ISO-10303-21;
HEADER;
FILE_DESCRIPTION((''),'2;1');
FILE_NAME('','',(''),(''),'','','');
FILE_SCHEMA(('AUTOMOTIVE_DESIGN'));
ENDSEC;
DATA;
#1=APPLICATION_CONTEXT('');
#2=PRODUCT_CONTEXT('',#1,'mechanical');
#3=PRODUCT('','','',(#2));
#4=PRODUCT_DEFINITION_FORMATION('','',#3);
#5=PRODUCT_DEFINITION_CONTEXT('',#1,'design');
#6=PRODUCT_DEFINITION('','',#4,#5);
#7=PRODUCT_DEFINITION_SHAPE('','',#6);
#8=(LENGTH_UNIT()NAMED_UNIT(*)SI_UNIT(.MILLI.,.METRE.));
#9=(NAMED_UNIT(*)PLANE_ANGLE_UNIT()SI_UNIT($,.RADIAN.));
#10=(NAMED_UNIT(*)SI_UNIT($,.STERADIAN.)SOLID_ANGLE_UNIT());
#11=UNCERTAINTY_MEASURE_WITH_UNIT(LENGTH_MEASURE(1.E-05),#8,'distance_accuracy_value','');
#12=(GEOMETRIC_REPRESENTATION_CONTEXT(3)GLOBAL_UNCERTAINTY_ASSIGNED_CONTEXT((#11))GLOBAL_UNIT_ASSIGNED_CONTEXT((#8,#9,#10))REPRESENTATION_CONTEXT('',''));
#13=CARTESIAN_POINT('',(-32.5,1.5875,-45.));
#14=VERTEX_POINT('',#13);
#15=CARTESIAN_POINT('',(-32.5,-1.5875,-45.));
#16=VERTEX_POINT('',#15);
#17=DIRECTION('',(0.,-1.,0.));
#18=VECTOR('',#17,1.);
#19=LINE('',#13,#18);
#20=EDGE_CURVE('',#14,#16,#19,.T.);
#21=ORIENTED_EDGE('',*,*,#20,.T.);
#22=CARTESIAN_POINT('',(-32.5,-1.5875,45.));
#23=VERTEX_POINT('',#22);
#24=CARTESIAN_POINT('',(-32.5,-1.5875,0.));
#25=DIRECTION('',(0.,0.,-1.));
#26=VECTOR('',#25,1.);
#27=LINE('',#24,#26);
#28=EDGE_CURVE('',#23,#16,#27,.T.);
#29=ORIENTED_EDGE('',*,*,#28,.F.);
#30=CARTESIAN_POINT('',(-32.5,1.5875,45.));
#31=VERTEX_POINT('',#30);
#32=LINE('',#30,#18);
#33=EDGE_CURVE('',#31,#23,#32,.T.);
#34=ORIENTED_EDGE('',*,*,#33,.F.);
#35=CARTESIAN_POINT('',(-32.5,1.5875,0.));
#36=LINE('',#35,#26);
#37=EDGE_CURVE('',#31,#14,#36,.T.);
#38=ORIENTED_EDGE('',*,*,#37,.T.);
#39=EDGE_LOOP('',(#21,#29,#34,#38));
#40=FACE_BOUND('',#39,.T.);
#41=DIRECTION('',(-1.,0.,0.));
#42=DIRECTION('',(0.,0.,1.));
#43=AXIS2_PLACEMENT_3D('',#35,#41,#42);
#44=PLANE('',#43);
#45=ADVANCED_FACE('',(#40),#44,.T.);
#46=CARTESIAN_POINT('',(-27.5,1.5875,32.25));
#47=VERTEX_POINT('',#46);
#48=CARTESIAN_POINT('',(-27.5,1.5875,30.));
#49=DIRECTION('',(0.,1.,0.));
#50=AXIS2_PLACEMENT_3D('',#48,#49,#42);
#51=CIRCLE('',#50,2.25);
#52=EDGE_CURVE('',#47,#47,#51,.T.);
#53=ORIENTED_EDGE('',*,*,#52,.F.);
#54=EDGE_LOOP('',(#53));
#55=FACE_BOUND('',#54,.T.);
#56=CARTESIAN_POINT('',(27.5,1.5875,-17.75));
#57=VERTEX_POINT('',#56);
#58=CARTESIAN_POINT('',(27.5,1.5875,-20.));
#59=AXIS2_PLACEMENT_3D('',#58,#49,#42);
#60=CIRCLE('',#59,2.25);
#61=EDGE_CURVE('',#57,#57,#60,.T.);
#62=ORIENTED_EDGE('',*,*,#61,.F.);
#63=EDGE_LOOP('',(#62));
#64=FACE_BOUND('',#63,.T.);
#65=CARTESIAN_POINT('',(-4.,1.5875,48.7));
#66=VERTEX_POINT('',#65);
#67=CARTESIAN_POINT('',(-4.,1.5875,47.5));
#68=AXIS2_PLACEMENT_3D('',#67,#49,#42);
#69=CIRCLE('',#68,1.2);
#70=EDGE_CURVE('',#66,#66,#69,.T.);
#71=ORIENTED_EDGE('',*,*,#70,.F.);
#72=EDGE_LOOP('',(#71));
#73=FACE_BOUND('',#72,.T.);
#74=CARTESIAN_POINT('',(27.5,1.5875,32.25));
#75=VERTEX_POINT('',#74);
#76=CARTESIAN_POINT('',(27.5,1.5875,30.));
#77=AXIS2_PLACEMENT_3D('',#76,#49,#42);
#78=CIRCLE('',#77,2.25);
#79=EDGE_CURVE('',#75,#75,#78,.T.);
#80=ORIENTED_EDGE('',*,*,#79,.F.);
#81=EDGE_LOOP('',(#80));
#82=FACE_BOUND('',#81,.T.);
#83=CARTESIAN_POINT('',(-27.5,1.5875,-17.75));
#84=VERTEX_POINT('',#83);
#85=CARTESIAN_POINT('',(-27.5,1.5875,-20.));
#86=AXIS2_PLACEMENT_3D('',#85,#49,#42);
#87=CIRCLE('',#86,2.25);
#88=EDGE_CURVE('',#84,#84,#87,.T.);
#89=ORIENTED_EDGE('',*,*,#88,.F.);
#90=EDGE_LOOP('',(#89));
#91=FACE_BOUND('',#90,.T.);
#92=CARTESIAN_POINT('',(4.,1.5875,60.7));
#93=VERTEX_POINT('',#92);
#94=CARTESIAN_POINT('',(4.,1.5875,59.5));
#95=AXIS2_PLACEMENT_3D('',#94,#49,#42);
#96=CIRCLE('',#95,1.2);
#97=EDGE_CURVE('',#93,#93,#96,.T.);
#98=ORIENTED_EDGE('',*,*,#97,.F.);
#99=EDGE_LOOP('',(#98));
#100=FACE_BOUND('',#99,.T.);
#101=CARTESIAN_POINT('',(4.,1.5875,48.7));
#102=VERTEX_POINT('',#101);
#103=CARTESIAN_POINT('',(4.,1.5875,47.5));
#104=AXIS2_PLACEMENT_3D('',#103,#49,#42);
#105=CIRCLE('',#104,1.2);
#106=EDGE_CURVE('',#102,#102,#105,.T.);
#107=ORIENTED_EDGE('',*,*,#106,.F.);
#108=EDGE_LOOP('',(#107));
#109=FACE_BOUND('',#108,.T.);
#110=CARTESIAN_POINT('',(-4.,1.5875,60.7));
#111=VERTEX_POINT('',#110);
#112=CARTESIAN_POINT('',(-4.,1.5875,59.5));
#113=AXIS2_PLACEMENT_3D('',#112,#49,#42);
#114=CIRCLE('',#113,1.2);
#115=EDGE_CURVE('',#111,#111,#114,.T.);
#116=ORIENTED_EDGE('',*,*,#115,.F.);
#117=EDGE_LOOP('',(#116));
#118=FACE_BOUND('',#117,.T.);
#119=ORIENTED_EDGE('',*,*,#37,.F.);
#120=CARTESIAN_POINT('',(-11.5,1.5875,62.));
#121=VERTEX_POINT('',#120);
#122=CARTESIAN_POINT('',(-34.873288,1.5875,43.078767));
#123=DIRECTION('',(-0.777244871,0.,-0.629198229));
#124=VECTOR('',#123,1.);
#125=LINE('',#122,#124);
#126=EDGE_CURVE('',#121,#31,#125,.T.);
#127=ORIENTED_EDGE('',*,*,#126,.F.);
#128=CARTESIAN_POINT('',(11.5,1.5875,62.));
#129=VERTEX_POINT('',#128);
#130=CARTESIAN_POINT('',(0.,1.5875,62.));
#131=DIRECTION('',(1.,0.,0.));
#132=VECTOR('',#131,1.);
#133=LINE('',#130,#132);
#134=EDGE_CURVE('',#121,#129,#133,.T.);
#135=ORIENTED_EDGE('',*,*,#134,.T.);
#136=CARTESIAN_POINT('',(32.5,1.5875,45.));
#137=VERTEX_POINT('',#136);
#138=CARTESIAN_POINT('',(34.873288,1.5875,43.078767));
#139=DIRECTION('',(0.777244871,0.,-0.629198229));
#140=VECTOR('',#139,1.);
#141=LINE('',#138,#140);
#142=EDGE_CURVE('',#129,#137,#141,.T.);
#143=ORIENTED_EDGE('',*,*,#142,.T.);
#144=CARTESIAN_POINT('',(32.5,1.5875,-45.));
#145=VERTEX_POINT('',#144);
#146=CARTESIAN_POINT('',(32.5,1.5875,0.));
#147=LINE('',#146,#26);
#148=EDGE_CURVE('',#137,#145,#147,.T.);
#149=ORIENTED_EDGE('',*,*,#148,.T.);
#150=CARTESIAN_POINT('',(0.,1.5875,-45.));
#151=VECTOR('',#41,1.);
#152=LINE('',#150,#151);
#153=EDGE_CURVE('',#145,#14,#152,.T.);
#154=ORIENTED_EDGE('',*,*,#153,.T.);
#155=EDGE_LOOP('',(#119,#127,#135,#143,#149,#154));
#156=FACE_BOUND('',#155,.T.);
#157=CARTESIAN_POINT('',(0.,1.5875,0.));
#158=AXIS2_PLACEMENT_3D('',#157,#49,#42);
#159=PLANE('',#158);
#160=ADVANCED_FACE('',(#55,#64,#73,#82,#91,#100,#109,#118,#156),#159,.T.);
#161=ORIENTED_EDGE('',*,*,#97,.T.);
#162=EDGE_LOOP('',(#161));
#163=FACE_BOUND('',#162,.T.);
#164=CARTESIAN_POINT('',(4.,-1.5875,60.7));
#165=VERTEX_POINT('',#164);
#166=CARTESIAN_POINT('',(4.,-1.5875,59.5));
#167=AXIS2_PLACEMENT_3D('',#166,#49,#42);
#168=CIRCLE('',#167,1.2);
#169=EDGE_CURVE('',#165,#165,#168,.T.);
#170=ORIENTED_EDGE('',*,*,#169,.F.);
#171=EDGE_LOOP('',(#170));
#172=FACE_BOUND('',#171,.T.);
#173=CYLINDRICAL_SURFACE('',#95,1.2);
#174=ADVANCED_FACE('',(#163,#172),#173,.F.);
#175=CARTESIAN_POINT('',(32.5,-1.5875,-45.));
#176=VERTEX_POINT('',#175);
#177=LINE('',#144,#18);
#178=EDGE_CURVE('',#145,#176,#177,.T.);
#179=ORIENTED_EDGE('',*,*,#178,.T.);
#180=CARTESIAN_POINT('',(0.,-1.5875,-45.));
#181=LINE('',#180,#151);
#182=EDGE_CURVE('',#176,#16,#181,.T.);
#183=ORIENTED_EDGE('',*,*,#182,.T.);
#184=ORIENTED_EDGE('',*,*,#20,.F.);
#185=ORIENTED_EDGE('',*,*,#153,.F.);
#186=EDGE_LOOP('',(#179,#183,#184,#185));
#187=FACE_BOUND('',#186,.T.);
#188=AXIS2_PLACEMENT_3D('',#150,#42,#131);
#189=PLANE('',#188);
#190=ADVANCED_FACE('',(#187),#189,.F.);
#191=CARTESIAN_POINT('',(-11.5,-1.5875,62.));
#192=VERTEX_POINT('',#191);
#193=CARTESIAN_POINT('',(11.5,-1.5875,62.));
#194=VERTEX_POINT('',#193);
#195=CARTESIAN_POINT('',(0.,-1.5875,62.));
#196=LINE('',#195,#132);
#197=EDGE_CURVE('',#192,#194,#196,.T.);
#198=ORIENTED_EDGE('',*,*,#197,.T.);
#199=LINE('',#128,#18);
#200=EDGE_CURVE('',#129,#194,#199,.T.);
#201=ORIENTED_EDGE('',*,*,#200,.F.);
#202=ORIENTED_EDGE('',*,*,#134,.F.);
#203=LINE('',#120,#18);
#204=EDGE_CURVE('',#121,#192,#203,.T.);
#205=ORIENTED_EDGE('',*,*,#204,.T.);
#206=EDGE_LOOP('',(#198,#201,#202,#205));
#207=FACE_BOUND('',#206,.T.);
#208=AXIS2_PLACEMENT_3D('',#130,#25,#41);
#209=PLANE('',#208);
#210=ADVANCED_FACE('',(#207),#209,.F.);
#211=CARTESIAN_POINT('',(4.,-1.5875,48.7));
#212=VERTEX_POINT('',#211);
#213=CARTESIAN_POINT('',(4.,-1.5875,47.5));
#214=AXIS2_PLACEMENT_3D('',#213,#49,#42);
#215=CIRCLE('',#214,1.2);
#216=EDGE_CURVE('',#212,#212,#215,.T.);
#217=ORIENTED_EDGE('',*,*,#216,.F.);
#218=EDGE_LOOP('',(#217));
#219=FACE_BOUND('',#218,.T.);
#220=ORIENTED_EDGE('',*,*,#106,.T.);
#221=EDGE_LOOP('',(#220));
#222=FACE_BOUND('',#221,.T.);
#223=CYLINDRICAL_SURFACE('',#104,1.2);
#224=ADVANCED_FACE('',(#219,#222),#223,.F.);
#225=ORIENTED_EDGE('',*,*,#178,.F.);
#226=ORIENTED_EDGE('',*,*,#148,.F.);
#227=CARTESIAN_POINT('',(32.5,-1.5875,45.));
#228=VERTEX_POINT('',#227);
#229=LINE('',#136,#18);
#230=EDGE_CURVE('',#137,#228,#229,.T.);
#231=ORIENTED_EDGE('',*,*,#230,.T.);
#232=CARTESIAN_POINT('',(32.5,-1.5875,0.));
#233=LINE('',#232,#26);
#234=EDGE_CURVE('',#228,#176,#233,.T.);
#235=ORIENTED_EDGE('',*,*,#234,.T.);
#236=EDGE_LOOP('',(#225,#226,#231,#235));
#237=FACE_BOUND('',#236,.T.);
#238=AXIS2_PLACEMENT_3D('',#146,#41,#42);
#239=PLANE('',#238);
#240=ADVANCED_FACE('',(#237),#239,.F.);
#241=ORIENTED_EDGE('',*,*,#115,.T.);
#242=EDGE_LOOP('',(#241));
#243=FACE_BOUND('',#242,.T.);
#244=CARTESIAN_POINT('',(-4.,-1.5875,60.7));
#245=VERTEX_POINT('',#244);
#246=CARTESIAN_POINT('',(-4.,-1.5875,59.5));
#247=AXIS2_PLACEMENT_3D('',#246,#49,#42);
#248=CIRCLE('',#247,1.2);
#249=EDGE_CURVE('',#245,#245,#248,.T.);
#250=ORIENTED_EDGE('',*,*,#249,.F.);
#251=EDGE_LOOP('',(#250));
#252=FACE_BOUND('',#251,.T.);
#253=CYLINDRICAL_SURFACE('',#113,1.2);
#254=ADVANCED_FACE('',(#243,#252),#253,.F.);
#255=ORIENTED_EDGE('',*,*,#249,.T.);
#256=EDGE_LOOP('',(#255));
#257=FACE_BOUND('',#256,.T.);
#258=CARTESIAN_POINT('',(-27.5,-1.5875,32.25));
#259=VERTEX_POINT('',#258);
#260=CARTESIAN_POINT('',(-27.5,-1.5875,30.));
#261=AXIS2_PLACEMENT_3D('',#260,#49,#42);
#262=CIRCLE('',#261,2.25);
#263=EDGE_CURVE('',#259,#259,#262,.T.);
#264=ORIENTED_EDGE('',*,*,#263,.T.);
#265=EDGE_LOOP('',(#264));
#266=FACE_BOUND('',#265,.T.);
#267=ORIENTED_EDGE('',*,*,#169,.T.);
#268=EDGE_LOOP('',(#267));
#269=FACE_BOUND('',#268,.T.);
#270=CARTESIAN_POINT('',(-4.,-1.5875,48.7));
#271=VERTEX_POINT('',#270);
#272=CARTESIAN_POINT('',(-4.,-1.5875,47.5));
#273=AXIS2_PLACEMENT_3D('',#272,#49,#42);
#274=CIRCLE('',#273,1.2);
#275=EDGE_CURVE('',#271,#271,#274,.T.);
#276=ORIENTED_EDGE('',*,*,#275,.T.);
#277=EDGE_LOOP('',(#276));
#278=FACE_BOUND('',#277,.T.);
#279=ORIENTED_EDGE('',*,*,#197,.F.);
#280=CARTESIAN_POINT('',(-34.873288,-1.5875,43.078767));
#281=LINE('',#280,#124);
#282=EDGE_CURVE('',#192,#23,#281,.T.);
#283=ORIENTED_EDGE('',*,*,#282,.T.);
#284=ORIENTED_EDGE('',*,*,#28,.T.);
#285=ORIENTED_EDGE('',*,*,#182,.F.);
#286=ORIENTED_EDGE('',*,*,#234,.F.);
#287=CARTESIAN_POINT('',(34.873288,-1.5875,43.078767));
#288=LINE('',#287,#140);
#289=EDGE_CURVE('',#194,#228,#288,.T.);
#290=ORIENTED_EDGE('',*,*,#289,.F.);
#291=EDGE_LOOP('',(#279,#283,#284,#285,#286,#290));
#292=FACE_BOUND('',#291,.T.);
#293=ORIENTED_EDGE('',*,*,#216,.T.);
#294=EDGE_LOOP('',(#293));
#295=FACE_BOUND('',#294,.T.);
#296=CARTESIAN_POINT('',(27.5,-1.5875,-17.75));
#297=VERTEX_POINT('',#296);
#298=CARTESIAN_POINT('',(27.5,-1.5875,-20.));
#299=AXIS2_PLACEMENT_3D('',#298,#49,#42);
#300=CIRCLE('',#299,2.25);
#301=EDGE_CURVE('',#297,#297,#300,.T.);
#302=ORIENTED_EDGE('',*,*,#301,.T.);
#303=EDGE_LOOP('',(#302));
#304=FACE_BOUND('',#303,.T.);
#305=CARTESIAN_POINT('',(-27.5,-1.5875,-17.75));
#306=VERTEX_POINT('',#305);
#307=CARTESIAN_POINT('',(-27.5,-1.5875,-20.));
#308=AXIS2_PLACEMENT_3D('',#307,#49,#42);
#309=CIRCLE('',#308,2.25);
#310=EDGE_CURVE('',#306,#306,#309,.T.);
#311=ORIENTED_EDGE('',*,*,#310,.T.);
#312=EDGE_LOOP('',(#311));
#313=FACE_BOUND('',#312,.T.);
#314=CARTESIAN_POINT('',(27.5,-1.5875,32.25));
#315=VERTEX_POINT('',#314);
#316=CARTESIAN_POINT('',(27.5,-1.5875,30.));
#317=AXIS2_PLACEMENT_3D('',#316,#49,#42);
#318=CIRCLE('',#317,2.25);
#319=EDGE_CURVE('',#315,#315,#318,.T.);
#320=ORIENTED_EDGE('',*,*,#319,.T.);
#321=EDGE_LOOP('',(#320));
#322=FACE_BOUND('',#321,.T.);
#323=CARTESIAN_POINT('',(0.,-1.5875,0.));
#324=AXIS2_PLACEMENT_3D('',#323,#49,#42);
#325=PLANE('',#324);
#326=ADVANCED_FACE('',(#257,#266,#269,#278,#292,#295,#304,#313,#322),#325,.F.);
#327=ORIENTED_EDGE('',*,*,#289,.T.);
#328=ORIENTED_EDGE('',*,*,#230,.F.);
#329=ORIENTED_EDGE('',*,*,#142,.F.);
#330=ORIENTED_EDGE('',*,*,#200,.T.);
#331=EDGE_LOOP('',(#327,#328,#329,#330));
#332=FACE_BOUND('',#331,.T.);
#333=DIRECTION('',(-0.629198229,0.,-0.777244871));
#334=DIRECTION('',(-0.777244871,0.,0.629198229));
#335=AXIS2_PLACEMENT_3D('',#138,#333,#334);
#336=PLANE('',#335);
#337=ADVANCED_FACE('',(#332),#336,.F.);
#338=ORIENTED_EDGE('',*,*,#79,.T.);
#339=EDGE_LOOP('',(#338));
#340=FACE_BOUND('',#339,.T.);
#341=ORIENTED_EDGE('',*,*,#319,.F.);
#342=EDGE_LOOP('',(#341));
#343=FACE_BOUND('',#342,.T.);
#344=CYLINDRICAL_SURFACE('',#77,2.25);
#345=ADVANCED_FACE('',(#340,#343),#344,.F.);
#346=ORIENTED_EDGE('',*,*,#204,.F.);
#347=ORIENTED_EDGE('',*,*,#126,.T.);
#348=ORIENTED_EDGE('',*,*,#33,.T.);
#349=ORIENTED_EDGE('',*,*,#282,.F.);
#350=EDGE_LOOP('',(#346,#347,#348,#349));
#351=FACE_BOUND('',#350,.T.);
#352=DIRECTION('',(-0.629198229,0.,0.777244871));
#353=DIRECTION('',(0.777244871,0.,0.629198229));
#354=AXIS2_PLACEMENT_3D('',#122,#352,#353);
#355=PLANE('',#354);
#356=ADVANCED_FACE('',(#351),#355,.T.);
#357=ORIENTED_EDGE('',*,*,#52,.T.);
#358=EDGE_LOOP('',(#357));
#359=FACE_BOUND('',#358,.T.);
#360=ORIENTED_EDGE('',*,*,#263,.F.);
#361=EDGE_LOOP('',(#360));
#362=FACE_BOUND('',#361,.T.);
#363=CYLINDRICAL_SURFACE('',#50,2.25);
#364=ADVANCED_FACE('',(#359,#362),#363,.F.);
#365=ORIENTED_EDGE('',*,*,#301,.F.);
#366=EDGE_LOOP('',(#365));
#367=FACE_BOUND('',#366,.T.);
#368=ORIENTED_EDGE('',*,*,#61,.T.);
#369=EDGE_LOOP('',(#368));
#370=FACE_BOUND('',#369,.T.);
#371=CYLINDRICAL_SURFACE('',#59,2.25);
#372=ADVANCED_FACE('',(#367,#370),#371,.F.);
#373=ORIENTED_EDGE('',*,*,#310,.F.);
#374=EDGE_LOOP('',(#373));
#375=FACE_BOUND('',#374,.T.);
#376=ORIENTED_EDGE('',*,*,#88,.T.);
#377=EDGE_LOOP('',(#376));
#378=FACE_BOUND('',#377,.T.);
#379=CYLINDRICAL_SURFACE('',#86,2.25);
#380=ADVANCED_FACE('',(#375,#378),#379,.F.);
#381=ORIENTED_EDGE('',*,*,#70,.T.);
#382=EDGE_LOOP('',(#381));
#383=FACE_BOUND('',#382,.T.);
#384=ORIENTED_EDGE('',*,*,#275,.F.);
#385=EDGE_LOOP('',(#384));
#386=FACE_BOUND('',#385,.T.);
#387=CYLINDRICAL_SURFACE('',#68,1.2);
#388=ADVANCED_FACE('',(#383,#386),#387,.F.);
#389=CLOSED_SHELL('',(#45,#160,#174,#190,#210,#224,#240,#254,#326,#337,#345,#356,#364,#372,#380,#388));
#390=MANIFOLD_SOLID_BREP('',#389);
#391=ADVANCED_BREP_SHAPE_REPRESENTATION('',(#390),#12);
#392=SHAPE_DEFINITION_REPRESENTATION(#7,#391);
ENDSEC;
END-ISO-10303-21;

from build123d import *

# Parameters (mm, degrees)
SKETCH1_W            = 65
SKETCH1_H            = 90
SKETCH1_W_2          = 23
SKETCH1_H_2          = 17
BOSS_EXTRUDE1_DEPTH  = 1.5875
M2_CLEARANCE_HOLE1_D = 2.4
M4_CLEARANCE_HOLE1_D = 4.5


with BuildPart() as part:
    # Sketch1 → Boss-Extrude1 (new, symmetric)
    with BuildSketch(Plane(origin=(0, 0, 0), x_dir=(1, 0, 0), z_dir=(0, 1, 0))):
        Polygon((-32.5, -45), (-11.5, -62), (-11.5, -45), align=None)
        Polygon((11.5, -45), (11.5, -62), (32.5, -45), align=None)
        Rectangle(SKETCH1_W, SKETCH1_H)
        with Locations((0, -53.5)):
            Rectangle(SKETCH1_W_2, SKETCH1_H_2)
    extrude(amount=BOSS_EXTRUDE1_DEPTH, both=True)

    # M2 Clearance Hole1 (through all)
    with Locations(Plane(origin=(0, 1.5875, 0), x_dir=(1, 0, 0), z_dir=(0, 1, 0))):
        with Locations((-4, -59.5), (4, -59.5), (4, -47.5), (-4, -47.5)):
            Hole(M2_CLEARANCE_HOLE1_D / 2)

    # M4 Clearance Hole1 (through all)
    with Locations(Plane(origin=(0, 1.5875, 0), x_dir=(1, 0, 0), z_dir=(0, 1, 0))):
        with Locations((-27.5, 20), (27.5, 20), (27.5, -30), (-27.5, -30)):
            Hole(M4_CLEARANCE_HOLE1_D / 2)


solid = part.part
